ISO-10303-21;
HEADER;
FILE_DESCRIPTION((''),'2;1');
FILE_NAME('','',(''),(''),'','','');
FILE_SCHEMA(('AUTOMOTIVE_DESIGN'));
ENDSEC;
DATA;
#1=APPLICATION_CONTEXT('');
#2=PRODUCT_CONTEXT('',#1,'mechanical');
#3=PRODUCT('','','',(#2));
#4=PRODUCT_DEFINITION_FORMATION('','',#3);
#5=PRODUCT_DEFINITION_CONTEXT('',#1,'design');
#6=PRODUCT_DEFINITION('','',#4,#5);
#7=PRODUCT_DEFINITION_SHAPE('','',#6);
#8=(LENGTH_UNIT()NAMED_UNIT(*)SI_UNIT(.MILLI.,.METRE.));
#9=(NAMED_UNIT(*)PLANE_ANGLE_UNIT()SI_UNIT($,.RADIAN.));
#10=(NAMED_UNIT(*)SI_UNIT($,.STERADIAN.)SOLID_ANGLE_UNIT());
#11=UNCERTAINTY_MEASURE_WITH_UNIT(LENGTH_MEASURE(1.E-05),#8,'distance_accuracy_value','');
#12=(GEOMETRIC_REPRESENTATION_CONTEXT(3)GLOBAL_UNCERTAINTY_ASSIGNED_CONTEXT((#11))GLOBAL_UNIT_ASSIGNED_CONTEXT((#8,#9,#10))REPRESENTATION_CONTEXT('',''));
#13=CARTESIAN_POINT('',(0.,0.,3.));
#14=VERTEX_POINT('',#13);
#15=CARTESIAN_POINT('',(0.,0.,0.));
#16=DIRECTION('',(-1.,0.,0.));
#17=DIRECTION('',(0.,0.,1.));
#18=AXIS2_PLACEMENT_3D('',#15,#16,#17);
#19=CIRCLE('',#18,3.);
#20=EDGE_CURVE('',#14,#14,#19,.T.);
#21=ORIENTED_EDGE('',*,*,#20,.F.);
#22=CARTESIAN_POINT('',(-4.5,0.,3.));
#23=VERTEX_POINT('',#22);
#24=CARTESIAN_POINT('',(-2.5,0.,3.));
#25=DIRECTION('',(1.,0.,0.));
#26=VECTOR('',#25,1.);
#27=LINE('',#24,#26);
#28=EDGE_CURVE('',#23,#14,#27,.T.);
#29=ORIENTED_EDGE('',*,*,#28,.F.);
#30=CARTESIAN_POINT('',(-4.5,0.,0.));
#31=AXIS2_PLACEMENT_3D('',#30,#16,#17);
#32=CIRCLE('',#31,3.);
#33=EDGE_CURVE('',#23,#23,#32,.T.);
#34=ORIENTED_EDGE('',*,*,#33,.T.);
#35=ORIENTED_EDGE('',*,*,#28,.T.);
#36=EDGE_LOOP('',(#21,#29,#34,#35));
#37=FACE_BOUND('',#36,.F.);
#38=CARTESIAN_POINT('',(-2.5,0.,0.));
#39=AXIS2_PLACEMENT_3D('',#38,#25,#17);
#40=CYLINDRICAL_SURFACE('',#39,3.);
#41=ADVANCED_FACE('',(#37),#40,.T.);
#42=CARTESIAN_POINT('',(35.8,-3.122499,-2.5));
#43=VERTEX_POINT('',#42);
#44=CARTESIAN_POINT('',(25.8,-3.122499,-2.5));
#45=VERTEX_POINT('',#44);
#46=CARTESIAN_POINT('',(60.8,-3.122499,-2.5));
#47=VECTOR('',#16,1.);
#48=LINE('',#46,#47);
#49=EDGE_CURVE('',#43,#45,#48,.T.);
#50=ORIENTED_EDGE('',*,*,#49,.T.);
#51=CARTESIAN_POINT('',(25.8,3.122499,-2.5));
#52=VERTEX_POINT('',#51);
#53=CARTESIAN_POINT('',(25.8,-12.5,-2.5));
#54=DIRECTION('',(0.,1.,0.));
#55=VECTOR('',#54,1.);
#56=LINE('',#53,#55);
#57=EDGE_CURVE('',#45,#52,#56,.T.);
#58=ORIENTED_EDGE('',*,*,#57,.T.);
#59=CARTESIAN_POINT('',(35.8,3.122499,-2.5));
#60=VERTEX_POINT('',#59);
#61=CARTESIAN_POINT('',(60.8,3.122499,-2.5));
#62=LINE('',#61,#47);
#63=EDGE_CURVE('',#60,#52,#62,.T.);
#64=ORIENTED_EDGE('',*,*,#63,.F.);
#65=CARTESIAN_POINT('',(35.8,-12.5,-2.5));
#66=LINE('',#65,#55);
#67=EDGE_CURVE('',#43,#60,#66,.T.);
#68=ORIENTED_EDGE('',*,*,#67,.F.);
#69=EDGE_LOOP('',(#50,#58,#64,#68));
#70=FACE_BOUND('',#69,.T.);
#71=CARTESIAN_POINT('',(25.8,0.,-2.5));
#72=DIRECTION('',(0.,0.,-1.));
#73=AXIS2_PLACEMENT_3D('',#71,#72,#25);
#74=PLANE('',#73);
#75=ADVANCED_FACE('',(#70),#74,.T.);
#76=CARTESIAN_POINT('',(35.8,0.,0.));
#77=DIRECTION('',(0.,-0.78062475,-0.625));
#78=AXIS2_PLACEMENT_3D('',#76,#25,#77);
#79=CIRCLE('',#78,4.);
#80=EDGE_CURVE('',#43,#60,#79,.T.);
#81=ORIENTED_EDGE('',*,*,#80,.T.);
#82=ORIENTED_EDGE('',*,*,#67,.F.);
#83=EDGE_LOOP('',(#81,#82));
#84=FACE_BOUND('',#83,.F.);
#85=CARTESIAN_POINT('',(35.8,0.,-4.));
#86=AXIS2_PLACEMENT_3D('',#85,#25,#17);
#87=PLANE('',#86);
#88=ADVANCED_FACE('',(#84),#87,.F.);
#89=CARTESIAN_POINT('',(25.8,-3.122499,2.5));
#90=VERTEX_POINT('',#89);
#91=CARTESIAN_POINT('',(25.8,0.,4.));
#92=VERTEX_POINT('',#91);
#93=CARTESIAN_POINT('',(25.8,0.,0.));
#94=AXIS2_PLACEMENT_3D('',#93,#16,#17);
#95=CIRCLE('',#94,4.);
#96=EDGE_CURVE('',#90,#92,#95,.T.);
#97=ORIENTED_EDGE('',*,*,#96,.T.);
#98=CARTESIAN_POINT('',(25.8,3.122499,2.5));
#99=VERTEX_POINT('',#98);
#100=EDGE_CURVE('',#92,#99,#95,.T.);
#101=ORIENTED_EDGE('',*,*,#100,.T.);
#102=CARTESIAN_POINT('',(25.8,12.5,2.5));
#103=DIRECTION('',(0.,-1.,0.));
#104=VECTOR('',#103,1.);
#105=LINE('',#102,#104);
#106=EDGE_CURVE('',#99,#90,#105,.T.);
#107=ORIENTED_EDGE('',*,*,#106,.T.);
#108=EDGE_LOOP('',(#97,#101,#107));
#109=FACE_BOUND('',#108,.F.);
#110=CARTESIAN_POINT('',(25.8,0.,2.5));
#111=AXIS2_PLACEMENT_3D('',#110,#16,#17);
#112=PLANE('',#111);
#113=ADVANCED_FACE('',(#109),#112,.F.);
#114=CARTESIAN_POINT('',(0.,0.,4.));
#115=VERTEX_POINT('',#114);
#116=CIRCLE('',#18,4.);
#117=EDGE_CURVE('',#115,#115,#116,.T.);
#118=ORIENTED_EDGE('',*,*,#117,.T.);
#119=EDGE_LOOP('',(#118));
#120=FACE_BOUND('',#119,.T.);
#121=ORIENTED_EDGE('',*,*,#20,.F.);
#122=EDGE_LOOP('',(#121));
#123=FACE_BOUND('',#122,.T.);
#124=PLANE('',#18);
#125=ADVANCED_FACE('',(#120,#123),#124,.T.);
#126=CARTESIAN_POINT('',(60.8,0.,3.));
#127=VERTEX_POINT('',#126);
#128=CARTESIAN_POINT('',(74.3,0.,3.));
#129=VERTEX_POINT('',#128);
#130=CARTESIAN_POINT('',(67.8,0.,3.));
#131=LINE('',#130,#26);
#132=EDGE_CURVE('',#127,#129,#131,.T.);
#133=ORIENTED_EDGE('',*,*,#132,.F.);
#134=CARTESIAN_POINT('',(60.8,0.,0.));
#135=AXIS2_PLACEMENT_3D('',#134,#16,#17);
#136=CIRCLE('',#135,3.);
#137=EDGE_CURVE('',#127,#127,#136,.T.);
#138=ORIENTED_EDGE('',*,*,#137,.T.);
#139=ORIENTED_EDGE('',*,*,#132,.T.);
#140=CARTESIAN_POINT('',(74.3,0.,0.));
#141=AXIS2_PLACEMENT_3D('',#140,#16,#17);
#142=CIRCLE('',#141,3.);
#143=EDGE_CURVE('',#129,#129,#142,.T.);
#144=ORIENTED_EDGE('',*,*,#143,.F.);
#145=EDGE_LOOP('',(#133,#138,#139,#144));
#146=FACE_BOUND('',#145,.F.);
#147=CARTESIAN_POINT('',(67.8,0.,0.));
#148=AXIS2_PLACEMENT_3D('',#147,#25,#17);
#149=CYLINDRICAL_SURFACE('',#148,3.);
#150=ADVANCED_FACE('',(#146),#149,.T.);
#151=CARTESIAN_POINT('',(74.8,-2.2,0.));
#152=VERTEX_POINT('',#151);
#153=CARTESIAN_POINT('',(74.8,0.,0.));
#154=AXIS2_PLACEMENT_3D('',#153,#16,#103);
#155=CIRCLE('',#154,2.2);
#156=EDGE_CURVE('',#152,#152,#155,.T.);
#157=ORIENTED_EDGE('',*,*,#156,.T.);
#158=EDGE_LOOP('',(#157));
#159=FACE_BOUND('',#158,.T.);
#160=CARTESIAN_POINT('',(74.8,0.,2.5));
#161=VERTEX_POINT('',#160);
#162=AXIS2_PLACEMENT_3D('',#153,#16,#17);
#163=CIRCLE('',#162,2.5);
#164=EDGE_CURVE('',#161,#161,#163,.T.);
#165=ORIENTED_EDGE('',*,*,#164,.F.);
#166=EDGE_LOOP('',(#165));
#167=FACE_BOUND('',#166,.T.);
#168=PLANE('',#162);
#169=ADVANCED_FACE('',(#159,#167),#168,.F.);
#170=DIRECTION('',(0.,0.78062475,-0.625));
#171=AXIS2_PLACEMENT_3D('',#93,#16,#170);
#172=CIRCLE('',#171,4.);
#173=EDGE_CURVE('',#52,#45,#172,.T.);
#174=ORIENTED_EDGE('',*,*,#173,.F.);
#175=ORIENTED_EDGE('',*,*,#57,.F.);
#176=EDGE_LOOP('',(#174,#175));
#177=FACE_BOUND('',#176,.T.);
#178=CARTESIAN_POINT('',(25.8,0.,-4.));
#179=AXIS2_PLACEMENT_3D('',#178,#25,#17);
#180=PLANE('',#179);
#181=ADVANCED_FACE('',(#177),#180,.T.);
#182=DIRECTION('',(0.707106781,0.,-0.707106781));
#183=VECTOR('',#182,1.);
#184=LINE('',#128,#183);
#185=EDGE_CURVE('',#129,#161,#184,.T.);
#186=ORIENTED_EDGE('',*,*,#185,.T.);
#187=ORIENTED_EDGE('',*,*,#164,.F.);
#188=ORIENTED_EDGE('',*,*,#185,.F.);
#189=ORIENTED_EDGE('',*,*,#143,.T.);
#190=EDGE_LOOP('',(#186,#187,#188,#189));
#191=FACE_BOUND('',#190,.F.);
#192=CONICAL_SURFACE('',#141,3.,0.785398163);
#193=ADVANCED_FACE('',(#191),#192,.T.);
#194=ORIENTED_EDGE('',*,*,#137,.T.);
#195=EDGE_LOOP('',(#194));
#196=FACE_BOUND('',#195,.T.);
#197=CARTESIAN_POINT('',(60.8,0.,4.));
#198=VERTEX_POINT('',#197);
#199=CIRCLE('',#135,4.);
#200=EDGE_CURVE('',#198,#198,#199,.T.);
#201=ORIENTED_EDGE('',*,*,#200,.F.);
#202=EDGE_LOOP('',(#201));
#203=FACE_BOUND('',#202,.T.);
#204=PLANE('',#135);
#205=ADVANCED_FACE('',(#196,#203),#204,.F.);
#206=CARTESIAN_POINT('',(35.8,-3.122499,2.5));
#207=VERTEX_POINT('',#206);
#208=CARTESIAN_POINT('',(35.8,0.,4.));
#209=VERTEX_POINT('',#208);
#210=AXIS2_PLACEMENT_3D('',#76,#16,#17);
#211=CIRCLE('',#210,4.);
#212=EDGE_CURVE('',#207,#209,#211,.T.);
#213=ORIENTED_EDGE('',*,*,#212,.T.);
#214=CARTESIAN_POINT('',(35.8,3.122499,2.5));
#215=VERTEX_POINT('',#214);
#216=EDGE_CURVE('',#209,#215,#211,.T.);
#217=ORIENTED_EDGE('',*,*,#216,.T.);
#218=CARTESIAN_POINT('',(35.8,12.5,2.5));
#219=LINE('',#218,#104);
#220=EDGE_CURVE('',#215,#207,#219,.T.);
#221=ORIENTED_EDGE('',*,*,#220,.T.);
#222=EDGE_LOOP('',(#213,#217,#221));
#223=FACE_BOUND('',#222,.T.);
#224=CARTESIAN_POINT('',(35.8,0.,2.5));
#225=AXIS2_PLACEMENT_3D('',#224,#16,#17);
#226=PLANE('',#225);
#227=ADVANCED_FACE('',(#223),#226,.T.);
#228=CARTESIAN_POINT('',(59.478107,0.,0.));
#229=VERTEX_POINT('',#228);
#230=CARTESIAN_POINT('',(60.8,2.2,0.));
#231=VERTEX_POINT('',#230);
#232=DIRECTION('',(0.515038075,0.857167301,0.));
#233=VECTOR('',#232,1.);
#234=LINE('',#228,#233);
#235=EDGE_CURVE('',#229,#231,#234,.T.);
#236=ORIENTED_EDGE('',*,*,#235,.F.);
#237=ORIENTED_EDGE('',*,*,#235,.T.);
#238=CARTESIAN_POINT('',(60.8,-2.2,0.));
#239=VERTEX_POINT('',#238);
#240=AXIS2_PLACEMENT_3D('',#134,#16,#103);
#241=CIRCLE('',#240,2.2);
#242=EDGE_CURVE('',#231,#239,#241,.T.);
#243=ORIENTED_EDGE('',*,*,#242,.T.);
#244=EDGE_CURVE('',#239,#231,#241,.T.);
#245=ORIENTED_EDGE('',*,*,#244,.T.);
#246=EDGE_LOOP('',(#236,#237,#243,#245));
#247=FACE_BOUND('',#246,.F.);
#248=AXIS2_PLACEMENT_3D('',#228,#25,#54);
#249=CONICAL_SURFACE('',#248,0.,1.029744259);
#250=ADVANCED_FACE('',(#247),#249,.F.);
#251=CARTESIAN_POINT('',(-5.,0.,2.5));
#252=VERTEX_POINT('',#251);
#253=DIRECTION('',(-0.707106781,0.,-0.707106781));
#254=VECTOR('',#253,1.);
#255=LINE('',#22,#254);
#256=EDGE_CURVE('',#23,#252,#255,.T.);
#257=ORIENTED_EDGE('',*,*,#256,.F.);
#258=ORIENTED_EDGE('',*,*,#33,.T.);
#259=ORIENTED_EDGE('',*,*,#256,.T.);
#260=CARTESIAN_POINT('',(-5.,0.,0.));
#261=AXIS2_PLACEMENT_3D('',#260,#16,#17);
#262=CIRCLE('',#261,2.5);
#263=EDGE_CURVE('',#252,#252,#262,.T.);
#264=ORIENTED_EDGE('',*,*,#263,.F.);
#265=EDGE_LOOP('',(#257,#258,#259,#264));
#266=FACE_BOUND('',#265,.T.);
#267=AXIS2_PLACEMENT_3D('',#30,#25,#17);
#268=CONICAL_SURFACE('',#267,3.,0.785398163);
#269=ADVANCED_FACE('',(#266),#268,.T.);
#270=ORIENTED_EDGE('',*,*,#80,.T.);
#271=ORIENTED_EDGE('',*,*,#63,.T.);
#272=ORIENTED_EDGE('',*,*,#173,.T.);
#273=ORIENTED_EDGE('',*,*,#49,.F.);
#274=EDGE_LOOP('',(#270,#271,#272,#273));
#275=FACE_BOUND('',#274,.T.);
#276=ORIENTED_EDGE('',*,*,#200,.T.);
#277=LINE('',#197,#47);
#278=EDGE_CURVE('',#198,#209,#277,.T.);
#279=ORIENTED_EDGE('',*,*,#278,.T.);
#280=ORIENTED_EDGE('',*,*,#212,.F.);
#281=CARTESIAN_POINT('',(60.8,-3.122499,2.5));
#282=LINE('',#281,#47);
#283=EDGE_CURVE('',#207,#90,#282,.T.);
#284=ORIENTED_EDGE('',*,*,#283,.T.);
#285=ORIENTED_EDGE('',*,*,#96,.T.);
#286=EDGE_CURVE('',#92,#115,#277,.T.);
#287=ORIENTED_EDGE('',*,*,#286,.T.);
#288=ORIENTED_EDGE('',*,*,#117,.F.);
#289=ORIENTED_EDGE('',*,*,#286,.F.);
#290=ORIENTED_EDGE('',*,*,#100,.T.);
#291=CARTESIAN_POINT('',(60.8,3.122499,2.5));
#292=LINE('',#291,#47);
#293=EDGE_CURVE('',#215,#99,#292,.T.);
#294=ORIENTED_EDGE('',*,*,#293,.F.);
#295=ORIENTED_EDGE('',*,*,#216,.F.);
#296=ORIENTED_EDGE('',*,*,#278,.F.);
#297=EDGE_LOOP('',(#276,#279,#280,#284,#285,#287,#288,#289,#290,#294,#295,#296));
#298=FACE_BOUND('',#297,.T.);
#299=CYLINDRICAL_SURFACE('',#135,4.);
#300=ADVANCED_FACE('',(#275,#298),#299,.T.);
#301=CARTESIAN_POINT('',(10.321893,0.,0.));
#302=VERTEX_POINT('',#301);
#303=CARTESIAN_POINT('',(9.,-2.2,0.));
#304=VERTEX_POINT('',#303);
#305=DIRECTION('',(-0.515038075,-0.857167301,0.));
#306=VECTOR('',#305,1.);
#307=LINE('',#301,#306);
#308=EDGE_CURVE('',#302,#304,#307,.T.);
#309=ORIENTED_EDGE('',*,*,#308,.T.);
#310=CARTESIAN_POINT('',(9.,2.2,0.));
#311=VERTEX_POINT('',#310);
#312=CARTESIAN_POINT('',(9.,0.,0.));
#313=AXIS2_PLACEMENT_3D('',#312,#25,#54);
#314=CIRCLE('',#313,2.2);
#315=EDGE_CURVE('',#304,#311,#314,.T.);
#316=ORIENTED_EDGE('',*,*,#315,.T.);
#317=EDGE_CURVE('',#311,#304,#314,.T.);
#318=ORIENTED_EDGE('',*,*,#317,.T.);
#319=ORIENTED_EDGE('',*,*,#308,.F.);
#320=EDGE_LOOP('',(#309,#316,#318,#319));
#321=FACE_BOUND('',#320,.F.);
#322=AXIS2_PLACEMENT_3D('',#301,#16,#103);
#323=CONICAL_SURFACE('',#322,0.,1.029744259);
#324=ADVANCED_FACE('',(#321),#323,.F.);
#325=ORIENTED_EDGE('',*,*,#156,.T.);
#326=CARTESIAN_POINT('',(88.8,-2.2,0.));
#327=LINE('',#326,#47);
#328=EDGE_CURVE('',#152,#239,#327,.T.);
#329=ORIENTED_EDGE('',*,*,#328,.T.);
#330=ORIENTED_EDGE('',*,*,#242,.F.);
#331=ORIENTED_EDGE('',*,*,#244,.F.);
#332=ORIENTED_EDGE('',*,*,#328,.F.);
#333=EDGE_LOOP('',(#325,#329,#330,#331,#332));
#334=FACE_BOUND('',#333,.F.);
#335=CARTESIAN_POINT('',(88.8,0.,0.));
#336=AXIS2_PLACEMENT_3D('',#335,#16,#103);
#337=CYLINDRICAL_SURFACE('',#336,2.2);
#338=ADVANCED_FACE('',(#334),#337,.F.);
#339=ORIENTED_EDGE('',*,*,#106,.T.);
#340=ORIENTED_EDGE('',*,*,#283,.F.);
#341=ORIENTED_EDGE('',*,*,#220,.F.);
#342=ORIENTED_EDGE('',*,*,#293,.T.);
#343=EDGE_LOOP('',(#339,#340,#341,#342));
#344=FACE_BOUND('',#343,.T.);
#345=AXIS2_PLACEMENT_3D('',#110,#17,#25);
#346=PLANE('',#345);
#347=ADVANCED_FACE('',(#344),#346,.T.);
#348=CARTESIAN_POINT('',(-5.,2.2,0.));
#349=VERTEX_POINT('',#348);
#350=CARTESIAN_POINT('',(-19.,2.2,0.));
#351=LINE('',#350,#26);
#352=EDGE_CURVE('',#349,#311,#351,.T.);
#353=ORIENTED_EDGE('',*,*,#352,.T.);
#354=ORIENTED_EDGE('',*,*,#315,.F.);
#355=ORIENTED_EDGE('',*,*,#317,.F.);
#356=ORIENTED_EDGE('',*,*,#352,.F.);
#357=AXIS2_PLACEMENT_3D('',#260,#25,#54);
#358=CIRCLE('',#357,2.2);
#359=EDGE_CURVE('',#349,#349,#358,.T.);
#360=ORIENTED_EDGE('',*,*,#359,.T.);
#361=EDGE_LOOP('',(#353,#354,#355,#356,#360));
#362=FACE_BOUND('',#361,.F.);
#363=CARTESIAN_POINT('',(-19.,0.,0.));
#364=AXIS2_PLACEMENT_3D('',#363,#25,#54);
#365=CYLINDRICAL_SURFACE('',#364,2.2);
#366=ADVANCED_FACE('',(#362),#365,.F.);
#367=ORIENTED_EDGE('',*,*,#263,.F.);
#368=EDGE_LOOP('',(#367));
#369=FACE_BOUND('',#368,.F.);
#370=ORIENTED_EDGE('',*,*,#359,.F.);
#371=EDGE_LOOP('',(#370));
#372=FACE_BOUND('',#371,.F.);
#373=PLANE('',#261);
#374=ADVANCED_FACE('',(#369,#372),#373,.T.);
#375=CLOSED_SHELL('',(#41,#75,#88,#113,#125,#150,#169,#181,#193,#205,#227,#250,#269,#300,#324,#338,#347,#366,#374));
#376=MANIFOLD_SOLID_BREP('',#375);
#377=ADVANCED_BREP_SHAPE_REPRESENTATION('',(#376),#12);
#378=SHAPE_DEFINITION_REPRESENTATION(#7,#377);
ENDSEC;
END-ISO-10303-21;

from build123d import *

# Parameters (mm, degrees)
F0_W     = 5
F0_H     = 3
F0_W_2   = 14
F2_W     = 10
F2_H     = 1.5
F3_DEPTH = 12.5
F5_D     = 4.4
F5_DEPTH = 14
F5_TIP   = 1.3218933619
F7_D     = 4.4
F7_DEPTH = 14
F7_TIP   = 1.3218933619
F8_SIZE  = 0.5


with BuildPart() as f1:
    # F0 (on Front) → F1 (revolve)
    with BuildSketch(Plane.XZ):
        Polygon((0, 3), (0, 0), (60.8, 0), (60.8, 3), (60.8, 4), (0, 4), align=None)
        with Locations((-2.5, 1.5)):
            Rectangle(F0_W, F0_H)
        with Locations((67.8, 1.5)):
            Rectangle(F0_W_2, F0_H)
    revolve(axis=Axis((30.4, 0, 0), (-1, 0, 0)))

    # F2 (on Front) → F3 (cut, symmetric)
    with BuildSketch(Plane.XZ):
        with Locations((30.8, 3.25)):
            Rectangle(F2_W, F2_H)
        with Locations((30.8, -3.25)):
            Rectangle(F2_W, F2_H)
    extrude(amount=F3_DEPTH, both=True, mode=Mode.SUBTRACT)

    # F5
    with Locations(Plane.YZ.offset(74.8)):
        with Locations((0, 0)):
            Hole(F5_D / 2, depth=F5_DEPTH)
            with Locations((0, 0, -(F5_DEPTH + F5_TIP / 2))):  # 118° drill point
                Cone(0, F5_D / 2, F5_TIP, mode=Mode.SUBTRACT)

    # F7
    with Locations(Plane(origin=(-5, 0, 0), x_dir=(0, -1, 0), z_dir=(-1, 0, 0))):
        with Locations((0, 0)):
            Hole(F7_D / 2, depth=F7_DEPTH)
            with Locations((0, 0, -(F7_DEPTH + F7_TIP / 2))):  # 118° drill point
                Cone(0, F7_D / 2, F7_TIP, mode=Mode.SUBTRACT)

    # F8
    f8_edges = [f1.edges().sort_by_distance(p)[0] for p in [
        (-5, 0, -3),
        (74.8, 0, -3),
    ]]
    chamfer(f8_edges, length=F8_SIZE)


solid = f1.part
